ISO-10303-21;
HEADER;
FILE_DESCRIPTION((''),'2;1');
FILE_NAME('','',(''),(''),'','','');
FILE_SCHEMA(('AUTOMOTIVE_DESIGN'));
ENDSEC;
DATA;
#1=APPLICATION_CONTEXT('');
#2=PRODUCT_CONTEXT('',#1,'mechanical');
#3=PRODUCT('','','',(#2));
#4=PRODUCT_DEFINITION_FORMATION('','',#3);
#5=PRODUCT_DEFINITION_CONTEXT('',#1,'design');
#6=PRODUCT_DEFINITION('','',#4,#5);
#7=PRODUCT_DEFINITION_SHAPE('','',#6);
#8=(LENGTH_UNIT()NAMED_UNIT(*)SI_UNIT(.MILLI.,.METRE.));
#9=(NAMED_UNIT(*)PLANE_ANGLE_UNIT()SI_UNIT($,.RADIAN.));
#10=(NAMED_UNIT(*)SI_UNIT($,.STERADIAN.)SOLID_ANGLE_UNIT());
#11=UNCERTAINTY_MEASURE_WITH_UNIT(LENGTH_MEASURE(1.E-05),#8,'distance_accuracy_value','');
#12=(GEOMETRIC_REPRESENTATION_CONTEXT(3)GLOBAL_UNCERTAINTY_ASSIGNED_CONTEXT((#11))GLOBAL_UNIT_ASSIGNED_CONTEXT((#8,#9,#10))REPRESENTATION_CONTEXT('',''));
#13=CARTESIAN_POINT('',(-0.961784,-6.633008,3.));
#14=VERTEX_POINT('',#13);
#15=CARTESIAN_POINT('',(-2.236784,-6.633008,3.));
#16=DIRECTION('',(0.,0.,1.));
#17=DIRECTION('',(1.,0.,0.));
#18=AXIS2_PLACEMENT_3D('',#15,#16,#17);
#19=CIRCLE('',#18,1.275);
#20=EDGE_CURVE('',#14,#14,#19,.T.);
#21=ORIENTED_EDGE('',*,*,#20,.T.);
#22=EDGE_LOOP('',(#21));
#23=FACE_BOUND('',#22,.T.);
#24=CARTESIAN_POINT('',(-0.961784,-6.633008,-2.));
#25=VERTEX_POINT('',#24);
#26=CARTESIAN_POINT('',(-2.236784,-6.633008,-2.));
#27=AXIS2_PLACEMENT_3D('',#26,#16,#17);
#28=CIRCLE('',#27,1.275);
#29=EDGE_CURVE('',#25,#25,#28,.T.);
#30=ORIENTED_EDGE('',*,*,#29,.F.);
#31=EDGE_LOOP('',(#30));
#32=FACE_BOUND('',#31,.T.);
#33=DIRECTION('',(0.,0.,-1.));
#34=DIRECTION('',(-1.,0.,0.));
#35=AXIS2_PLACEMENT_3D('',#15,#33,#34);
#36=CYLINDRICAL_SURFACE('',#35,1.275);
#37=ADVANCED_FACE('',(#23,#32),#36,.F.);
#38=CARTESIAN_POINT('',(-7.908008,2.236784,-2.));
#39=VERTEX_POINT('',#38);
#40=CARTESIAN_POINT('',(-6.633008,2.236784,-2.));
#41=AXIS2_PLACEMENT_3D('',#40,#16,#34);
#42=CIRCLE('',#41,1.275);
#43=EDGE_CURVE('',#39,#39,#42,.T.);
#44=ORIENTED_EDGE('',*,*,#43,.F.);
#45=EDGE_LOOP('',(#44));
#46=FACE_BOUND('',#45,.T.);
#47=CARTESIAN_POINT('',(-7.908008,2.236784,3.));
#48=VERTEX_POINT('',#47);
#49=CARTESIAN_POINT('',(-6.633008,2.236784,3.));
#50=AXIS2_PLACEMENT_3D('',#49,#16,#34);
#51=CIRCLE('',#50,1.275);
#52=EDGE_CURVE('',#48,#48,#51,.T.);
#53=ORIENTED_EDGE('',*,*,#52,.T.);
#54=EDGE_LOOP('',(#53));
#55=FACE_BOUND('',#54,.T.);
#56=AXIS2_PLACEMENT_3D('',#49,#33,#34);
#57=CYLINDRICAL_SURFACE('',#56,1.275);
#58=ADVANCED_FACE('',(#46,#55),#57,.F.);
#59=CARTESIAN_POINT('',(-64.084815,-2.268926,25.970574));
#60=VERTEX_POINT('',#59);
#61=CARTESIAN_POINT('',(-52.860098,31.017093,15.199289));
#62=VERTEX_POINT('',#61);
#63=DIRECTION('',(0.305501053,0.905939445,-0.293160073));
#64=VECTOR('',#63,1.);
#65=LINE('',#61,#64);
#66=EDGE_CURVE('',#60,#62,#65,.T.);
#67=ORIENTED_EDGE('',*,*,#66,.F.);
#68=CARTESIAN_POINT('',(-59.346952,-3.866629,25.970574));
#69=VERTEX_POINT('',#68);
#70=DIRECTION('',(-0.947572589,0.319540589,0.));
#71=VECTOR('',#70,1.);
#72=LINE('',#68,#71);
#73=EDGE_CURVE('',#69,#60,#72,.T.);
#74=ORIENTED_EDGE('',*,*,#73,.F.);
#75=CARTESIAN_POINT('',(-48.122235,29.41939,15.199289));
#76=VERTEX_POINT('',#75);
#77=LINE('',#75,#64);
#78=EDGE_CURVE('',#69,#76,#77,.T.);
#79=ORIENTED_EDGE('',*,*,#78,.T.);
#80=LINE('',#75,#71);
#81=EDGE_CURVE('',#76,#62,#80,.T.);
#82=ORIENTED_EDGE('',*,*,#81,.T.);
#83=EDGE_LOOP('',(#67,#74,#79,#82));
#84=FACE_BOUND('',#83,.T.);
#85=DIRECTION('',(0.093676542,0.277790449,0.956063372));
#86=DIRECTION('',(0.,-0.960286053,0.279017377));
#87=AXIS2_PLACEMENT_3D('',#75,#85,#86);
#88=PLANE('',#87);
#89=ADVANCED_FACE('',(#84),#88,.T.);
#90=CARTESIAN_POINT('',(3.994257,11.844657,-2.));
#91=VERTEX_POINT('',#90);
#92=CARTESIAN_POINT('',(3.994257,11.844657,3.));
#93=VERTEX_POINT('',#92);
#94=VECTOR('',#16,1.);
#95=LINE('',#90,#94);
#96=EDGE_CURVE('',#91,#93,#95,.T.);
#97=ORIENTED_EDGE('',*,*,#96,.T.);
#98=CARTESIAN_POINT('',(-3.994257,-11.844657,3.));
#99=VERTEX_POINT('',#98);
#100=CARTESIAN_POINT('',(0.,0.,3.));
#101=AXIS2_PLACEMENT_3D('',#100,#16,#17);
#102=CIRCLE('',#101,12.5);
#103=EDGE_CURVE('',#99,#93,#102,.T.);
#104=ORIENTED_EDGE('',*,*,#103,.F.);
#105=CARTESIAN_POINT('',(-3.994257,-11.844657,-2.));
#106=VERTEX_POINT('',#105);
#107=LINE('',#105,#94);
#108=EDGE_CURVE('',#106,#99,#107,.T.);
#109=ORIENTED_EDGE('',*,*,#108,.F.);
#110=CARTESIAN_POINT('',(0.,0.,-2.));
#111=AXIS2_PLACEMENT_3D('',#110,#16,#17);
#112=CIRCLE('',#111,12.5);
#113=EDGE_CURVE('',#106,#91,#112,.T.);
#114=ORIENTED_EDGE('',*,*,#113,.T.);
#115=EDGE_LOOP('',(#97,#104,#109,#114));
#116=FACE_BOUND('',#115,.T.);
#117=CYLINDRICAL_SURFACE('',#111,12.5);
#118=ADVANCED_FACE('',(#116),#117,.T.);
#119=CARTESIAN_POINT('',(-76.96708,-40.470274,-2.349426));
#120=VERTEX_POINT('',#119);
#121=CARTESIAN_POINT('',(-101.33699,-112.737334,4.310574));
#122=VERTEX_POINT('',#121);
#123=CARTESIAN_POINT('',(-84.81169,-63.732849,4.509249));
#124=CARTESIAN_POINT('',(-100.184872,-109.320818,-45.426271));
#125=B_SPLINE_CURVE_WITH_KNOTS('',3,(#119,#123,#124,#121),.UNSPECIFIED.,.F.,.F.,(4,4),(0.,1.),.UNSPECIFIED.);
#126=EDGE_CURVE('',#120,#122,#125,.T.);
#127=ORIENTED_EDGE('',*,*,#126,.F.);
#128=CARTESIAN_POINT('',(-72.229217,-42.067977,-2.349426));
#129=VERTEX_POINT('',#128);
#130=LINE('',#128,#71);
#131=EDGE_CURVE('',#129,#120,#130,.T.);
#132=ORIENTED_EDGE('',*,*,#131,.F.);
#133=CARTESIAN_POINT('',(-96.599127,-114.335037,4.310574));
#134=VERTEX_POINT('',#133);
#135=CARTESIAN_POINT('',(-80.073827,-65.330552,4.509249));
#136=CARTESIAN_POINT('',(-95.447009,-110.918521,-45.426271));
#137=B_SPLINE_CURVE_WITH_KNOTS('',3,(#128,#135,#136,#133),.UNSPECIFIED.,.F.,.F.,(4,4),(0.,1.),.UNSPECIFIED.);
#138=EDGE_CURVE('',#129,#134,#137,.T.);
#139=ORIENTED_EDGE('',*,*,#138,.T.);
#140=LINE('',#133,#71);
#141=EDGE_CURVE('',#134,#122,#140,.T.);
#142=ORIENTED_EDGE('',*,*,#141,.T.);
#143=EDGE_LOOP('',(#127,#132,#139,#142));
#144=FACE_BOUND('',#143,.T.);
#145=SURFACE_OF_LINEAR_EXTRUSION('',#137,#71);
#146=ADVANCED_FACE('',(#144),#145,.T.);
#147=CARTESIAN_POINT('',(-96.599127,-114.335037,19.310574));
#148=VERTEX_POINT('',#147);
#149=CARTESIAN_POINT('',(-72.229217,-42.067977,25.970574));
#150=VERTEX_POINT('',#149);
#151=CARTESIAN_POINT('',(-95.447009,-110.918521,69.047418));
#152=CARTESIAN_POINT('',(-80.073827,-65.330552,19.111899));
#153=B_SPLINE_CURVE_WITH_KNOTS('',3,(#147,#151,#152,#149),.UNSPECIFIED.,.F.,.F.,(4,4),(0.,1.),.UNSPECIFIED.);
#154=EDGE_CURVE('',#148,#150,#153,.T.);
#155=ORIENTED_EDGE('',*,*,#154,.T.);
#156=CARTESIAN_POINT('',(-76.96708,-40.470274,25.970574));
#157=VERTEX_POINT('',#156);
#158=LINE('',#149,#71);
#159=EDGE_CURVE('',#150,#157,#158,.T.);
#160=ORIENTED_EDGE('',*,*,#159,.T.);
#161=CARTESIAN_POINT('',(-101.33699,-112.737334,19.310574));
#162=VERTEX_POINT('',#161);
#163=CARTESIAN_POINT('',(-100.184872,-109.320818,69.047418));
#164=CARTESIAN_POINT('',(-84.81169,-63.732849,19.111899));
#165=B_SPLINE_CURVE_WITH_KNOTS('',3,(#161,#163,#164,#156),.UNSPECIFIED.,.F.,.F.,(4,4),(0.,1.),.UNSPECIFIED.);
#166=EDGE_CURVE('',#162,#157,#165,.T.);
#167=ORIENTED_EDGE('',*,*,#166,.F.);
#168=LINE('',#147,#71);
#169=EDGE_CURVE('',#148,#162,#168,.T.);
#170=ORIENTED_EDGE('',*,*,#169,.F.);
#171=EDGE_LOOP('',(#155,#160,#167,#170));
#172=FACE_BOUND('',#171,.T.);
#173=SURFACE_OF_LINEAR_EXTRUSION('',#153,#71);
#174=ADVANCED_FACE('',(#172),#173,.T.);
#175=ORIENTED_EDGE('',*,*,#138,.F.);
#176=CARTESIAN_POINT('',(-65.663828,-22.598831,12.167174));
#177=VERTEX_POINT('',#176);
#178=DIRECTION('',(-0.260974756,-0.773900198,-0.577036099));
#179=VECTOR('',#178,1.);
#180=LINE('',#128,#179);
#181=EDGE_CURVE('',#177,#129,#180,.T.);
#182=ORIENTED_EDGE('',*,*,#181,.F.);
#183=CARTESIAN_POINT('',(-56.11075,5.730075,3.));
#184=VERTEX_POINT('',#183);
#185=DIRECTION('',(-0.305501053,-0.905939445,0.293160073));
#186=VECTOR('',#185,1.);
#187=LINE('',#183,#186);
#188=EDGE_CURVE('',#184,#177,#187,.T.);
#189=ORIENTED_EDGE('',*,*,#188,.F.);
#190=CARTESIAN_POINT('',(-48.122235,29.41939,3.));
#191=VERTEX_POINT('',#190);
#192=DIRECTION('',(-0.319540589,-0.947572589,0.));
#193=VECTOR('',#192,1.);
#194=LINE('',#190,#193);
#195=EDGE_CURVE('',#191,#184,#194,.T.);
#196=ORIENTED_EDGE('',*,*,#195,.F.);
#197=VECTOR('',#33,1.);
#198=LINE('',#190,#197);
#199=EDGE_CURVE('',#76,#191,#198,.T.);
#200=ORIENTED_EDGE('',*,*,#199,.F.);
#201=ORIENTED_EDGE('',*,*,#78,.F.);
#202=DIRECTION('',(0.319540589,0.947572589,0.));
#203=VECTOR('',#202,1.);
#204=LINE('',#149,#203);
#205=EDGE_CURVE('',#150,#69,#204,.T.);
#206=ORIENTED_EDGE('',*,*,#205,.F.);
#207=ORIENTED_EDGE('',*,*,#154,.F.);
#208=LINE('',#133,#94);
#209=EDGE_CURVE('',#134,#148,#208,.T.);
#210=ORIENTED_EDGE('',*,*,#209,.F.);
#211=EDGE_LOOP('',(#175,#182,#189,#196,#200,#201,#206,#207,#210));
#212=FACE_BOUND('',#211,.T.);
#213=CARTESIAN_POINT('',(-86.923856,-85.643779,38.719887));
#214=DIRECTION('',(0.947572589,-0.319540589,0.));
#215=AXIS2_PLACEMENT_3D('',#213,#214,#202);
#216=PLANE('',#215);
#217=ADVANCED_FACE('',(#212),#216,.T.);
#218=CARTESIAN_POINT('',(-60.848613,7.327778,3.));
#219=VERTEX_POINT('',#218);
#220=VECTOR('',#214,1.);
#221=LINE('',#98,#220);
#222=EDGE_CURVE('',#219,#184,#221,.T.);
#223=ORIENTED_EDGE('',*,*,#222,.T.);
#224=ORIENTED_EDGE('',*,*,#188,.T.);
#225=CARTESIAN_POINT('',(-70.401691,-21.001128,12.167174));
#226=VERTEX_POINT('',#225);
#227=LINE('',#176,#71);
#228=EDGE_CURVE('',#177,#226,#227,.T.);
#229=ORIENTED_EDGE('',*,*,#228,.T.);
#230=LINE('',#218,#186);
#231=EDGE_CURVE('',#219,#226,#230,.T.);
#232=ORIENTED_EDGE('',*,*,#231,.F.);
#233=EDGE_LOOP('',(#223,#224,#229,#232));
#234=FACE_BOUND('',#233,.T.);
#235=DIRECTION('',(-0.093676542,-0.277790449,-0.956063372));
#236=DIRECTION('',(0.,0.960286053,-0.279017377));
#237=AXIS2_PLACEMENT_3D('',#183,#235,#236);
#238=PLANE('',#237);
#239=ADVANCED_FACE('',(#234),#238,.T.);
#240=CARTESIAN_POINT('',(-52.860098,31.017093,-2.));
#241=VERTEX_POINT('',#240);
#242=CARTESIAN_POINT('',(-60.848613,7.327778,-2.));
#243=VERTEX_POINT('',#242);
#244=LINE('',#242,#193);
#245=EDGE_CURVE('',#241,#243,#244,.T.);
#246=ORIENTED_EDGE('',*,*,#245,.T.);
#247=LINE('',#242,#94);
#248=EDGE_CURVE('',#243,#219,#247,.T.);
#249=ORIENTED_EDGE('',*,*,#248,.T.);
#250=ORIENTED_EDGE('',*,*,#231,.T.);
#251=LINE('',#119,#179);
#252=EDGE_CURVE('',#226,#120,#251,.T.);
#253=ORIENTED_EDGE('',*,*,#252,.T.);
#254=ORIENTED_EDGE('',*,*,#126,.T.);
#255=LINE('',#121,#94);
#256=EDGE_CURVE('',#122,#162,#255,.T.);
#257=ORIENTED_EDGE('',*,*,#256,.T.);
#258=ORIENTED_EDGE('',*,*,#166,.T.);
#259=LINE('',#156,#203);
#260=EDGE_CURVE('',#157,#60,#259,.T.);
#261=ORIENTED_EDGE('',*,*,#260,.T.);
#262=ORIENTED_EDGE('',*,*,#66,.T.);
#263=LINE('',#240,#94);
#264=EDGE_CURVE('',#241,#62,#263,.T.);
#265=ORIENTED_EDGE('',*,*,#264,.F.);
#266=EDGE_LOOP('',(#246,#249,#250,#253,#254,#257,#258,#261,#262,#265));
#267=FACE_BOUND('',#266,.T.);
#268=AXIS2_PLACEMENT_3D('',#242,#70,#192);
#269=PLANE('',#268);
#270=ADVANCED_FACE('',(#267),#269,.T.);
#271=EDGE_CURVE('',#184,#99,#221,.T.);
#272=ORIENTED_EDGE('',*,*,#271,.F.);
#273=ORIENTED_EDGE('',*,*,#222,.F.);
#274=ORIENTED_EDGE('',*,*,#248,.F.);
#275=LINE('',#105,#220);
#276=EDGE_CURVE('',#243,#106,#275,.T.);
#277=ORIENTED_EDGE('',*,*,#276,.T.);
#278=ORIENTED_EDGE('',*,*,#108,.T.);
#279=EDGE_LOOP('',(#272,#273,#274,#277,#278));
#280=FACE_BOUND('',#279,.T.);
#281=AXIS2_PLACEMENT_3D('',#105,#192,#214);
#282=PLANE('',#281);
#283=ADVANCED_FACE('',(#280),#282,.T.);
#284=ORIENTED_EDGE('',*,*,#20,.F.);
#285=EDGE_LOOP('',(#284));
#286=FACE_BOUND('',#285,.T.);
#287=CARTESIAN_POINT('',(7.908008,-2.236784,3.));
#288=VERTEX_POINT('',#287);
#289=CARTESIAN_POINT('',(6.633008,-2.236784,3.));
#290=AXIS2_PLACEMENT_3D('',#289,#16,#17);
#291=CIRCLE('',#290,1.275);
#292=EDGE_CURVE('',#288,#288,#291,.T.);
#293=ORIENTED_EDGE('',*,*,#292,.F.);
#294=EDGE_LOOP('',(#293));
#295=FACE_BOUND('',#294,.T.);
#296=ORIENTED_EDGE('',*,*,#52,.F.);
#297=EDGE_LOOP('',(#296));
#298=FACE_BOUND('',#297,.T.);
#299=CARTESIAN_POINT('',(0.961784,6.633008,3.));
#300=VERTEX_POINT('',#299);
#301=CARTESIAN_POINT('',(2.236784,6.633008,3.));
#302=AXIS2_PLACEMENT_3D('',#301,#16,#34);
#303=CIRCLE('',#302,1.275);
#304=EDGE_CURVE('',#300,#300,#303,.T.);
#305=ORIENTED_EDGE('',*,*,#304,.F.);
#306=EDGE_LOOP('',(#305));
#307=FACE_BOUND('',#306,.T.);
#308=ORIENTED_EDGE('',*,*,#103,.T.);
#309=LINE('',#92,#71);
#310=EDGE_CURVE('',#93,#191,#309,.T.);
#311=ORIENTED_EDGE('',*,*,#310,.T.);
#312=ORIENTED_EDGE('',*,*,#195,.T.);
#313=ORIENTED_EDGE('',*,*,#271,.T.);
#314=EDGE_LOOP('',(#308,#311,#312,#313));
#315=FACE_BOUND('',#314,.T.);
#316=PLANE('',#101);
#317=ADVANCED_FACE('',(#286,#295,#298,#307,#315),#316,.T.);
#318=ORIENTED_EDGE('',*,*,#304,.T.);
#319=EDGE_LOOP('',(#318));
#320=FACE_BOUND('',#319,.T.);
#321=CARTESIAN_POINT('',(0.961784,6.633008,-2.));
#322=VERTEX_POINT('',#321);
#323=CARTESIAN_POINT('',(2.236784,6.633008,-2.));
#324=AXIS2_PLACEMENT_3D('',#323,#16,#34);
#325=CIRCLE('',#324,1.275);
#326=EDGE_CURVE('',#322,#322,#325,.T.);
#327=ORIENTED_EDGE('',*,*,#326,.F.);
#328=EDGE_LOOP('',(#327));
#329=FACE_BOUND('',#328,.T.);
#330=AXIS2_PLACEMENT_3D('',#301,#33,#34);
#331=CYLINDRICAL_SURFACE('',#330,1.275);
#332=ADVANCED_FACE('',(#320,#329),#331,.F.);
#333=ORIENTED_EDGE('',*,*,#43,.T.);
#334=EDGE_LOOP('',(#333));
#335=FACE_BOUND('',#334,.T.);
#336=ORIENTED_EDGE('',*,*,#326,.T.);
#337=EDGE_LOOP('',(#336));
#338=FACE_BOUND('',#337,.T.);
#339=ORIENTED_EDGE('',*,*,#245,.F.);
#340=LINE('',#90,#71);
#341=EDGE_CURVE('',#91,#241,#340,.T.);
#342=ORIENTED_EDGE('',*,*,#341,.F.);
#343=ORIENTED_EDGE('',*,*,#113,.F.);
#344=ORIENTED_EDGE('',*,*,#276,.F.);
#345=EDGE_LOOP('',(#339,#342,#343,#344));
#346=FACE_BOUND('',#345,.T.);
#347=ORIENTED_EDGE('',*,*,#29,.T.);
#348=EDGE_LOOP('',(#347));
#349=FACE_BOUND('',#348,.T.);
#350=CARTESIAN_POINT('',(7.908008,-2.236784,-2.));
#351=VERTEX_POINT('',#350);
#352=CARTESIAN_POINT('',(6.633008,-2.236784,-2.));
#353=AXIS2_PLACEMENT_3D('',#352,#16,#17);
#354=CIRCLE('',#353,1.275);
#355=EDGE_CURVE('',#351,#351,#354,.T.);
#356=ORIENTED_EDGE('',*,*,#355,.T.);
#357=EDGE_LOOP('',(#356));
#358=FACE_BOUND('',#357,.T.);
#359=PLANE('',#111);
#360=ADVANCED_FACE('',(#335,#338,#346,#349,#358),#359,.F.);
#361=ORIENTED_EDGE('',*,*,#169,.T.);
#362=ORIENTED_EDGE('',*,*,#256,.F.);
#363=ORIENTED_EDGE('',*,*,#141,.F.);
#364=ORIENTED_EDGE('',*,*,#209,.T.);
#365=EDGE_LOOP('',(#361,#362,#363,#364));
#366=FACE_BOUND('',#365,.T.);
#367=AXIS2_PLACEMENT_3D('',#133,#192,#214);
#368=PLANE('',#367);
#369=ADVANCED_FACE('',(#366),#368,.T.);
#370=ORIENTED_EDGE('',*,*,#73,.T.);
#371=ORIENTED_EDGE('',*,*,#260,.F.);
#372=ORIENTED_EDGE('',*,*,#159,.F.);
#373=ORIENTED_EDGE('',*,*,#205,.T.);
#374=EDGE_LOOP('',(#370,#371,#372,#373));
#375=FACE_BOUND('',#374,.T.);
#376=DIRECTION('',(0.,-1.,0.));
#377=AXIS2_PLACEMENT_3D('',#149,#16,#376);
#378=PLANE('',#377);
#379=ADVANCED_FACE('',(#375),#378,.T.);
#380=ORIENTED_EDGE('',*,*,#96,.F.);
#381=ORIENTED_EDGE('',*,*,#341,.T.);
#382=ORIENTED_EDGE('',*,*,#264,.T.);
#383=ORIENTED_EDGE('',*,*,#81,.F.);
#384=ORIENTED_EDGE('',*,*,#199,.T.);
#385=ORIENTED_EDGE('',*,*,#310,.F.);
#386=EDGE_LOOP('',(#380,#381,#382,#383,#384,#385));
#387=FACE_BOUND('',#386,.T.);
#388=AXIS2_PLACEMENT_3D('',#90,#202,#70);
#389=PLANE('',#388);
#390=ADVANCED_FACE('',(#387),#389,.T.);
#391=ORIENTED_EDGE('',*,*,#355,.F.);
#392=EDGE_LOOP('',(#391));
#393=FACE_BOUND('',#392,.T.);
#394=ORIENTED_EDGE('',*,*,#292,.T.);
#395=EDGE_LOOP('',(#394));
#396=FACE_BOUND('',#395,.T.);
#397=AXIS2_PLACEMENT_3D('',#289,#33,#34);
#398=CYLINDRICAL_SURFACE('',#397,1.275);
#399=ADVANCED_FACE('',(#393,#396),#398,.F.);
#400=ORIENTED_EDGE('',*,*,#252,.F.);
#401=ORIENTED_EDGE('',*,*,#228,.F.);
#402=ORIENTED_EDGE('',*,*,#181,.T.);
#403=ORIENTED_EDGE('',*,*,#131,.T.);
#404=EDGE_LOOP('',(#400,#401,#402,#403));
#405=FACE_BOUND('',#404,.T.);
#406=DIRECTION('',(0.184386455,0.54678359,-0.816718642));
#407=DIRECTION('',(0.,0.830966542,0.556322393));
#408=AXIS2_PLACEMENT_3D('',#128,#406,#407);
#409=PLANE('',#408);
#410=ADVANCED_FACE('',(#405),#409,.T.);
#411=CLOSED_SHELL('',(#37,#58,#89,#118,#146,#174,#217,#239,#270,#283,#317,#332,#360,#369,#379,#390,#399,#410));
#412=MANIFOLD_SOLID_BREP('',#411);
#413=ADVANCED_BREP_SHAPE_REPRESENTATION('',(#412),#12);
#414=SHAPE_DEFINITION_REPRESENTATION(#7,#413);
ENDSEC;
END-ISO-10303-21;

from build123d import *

# Parameters (mm, degrees)
SKETCH2_R           = 10
SKETCH2_R_2         = 1.275
BOSS_EXTRUDE1_DEPTH = 3
SKETCH3_R           = 1.275
BOSS_EXTRUDE2_DEPTH = 5
BOSS_EXTRUDE3_DEPTH = 5


with BuildPart() as part:
    # Sketch2 → Boss-Extrude1 (new body)
    with BuildSketch(Plane.XY):
        Circle(SKETCH2_R)
        with Locations((6.633008125, -2.236784122)):
            Circle(SKETCH2_R_2, mode=Mode.SUBTRACT)
        with Locations((-2.236784122, -6.633008125)):
            Circle(SKETCH2_R_2, mode=Mode.SUBTRACT)
        with Locations((-6.633008125, 2.236784122)):
            Circle(SKETCH2_R_2, mode=Mode.SUBTRACT)
        with Locations((2.236784122, 6.633008125)):
            Circle(SKETCH2_R_2, mode=Mode.SUBTRACT)
    extrude(amount=BOSS_EXTRUDE1_DEPTH)

    # Sketch3 → Boss-Extrude2 (add)
    with BuildSketch(Plane.XY.offset(3)):
        with BuildLine():
            Line((-3.994257361, -11.844657367), (-60.848612721, 7.327777966))
            Line((-60.848612721, 7.327777966), (-52.860097999, 31.0170927))
            Line((-52.860097999, 31.0170927), (3.994257361, 11.844657367))
            ThreePointArc((3.994257361, 11.844657367), (11.844657367, -3.994257361), (-3.994257361, -11.844657367))
        make_face()
        with Locations((6.633008125, -2.236784122)):
            Circle(SKETCH3_R, mode=Mode.SUBTRACT)
        with Locations((-2.236784122, -6.633008125)):
            Circle(SKETCH3_R, mode=Mode.SUBTRACT)
        with Locations((-6.633008125, 2.236784122)):
            Circle(SKETCH3_R, mode=Mode.SUBTRACT)
        with Locations((2.236784122, 6.633008125)):
            Circle(SKETCH3_R, mode=Mode.SUBTRACT)
    extrude(amount=-BOSS_EXTRUDE2_DEPTH)

    # Sketch4 → Boss-Extrude3 (add)
    with BuildSketch(Plane(origin=(-56.85435536, 19.172435333, 0), x_dir=(0.319540589, 0.947572589, 0), z_dir=(-0.947572589, 0.319540589, 0))):
        with BuildLine():
            Line((-62.942627893, -25.970573692), (-22.627671819, -25.970573692))
            Line((-22.627671819, -25.970573692), (12.5, -15.199288929))
            Line((12.5, -15.199288929), (12.5, -3))
            Line((12.5, -3), (-12.5, -3))
            Line((-12.5, -3), (-42.396291449, -12.167173681))
            Line((-42.396291449, -12.167173681), (-62.942627893, 2.349426308))
            add(Edge.make_bspline(
                [(-62.942627893, 2.349426308), (-87.492278411, -4.509248518), (-135.602543773, 45.42627104), (-139.208088658, -4.310573692)],
                knots=[0, 0, 0, 0, 1, 1, 1, 1], degree=3))
            Line((-139.208088658, -4.310573692), (-139.208088658, -19.310573692))
            add(Edge.make_bspline(
                [(-62.942627893, -25.970573692), (-87.492278411, -19.111898866), (-135.602543773, -69.047418424), (-139.208088658, -19.310573692)],
                knots=[0, 0, 0, 0, 1, 1, 1, 1], degree=3))
        make_face()
    extrude(amount=-BOSS_EXTRUDE3_DEPTH)


solid = part.part
